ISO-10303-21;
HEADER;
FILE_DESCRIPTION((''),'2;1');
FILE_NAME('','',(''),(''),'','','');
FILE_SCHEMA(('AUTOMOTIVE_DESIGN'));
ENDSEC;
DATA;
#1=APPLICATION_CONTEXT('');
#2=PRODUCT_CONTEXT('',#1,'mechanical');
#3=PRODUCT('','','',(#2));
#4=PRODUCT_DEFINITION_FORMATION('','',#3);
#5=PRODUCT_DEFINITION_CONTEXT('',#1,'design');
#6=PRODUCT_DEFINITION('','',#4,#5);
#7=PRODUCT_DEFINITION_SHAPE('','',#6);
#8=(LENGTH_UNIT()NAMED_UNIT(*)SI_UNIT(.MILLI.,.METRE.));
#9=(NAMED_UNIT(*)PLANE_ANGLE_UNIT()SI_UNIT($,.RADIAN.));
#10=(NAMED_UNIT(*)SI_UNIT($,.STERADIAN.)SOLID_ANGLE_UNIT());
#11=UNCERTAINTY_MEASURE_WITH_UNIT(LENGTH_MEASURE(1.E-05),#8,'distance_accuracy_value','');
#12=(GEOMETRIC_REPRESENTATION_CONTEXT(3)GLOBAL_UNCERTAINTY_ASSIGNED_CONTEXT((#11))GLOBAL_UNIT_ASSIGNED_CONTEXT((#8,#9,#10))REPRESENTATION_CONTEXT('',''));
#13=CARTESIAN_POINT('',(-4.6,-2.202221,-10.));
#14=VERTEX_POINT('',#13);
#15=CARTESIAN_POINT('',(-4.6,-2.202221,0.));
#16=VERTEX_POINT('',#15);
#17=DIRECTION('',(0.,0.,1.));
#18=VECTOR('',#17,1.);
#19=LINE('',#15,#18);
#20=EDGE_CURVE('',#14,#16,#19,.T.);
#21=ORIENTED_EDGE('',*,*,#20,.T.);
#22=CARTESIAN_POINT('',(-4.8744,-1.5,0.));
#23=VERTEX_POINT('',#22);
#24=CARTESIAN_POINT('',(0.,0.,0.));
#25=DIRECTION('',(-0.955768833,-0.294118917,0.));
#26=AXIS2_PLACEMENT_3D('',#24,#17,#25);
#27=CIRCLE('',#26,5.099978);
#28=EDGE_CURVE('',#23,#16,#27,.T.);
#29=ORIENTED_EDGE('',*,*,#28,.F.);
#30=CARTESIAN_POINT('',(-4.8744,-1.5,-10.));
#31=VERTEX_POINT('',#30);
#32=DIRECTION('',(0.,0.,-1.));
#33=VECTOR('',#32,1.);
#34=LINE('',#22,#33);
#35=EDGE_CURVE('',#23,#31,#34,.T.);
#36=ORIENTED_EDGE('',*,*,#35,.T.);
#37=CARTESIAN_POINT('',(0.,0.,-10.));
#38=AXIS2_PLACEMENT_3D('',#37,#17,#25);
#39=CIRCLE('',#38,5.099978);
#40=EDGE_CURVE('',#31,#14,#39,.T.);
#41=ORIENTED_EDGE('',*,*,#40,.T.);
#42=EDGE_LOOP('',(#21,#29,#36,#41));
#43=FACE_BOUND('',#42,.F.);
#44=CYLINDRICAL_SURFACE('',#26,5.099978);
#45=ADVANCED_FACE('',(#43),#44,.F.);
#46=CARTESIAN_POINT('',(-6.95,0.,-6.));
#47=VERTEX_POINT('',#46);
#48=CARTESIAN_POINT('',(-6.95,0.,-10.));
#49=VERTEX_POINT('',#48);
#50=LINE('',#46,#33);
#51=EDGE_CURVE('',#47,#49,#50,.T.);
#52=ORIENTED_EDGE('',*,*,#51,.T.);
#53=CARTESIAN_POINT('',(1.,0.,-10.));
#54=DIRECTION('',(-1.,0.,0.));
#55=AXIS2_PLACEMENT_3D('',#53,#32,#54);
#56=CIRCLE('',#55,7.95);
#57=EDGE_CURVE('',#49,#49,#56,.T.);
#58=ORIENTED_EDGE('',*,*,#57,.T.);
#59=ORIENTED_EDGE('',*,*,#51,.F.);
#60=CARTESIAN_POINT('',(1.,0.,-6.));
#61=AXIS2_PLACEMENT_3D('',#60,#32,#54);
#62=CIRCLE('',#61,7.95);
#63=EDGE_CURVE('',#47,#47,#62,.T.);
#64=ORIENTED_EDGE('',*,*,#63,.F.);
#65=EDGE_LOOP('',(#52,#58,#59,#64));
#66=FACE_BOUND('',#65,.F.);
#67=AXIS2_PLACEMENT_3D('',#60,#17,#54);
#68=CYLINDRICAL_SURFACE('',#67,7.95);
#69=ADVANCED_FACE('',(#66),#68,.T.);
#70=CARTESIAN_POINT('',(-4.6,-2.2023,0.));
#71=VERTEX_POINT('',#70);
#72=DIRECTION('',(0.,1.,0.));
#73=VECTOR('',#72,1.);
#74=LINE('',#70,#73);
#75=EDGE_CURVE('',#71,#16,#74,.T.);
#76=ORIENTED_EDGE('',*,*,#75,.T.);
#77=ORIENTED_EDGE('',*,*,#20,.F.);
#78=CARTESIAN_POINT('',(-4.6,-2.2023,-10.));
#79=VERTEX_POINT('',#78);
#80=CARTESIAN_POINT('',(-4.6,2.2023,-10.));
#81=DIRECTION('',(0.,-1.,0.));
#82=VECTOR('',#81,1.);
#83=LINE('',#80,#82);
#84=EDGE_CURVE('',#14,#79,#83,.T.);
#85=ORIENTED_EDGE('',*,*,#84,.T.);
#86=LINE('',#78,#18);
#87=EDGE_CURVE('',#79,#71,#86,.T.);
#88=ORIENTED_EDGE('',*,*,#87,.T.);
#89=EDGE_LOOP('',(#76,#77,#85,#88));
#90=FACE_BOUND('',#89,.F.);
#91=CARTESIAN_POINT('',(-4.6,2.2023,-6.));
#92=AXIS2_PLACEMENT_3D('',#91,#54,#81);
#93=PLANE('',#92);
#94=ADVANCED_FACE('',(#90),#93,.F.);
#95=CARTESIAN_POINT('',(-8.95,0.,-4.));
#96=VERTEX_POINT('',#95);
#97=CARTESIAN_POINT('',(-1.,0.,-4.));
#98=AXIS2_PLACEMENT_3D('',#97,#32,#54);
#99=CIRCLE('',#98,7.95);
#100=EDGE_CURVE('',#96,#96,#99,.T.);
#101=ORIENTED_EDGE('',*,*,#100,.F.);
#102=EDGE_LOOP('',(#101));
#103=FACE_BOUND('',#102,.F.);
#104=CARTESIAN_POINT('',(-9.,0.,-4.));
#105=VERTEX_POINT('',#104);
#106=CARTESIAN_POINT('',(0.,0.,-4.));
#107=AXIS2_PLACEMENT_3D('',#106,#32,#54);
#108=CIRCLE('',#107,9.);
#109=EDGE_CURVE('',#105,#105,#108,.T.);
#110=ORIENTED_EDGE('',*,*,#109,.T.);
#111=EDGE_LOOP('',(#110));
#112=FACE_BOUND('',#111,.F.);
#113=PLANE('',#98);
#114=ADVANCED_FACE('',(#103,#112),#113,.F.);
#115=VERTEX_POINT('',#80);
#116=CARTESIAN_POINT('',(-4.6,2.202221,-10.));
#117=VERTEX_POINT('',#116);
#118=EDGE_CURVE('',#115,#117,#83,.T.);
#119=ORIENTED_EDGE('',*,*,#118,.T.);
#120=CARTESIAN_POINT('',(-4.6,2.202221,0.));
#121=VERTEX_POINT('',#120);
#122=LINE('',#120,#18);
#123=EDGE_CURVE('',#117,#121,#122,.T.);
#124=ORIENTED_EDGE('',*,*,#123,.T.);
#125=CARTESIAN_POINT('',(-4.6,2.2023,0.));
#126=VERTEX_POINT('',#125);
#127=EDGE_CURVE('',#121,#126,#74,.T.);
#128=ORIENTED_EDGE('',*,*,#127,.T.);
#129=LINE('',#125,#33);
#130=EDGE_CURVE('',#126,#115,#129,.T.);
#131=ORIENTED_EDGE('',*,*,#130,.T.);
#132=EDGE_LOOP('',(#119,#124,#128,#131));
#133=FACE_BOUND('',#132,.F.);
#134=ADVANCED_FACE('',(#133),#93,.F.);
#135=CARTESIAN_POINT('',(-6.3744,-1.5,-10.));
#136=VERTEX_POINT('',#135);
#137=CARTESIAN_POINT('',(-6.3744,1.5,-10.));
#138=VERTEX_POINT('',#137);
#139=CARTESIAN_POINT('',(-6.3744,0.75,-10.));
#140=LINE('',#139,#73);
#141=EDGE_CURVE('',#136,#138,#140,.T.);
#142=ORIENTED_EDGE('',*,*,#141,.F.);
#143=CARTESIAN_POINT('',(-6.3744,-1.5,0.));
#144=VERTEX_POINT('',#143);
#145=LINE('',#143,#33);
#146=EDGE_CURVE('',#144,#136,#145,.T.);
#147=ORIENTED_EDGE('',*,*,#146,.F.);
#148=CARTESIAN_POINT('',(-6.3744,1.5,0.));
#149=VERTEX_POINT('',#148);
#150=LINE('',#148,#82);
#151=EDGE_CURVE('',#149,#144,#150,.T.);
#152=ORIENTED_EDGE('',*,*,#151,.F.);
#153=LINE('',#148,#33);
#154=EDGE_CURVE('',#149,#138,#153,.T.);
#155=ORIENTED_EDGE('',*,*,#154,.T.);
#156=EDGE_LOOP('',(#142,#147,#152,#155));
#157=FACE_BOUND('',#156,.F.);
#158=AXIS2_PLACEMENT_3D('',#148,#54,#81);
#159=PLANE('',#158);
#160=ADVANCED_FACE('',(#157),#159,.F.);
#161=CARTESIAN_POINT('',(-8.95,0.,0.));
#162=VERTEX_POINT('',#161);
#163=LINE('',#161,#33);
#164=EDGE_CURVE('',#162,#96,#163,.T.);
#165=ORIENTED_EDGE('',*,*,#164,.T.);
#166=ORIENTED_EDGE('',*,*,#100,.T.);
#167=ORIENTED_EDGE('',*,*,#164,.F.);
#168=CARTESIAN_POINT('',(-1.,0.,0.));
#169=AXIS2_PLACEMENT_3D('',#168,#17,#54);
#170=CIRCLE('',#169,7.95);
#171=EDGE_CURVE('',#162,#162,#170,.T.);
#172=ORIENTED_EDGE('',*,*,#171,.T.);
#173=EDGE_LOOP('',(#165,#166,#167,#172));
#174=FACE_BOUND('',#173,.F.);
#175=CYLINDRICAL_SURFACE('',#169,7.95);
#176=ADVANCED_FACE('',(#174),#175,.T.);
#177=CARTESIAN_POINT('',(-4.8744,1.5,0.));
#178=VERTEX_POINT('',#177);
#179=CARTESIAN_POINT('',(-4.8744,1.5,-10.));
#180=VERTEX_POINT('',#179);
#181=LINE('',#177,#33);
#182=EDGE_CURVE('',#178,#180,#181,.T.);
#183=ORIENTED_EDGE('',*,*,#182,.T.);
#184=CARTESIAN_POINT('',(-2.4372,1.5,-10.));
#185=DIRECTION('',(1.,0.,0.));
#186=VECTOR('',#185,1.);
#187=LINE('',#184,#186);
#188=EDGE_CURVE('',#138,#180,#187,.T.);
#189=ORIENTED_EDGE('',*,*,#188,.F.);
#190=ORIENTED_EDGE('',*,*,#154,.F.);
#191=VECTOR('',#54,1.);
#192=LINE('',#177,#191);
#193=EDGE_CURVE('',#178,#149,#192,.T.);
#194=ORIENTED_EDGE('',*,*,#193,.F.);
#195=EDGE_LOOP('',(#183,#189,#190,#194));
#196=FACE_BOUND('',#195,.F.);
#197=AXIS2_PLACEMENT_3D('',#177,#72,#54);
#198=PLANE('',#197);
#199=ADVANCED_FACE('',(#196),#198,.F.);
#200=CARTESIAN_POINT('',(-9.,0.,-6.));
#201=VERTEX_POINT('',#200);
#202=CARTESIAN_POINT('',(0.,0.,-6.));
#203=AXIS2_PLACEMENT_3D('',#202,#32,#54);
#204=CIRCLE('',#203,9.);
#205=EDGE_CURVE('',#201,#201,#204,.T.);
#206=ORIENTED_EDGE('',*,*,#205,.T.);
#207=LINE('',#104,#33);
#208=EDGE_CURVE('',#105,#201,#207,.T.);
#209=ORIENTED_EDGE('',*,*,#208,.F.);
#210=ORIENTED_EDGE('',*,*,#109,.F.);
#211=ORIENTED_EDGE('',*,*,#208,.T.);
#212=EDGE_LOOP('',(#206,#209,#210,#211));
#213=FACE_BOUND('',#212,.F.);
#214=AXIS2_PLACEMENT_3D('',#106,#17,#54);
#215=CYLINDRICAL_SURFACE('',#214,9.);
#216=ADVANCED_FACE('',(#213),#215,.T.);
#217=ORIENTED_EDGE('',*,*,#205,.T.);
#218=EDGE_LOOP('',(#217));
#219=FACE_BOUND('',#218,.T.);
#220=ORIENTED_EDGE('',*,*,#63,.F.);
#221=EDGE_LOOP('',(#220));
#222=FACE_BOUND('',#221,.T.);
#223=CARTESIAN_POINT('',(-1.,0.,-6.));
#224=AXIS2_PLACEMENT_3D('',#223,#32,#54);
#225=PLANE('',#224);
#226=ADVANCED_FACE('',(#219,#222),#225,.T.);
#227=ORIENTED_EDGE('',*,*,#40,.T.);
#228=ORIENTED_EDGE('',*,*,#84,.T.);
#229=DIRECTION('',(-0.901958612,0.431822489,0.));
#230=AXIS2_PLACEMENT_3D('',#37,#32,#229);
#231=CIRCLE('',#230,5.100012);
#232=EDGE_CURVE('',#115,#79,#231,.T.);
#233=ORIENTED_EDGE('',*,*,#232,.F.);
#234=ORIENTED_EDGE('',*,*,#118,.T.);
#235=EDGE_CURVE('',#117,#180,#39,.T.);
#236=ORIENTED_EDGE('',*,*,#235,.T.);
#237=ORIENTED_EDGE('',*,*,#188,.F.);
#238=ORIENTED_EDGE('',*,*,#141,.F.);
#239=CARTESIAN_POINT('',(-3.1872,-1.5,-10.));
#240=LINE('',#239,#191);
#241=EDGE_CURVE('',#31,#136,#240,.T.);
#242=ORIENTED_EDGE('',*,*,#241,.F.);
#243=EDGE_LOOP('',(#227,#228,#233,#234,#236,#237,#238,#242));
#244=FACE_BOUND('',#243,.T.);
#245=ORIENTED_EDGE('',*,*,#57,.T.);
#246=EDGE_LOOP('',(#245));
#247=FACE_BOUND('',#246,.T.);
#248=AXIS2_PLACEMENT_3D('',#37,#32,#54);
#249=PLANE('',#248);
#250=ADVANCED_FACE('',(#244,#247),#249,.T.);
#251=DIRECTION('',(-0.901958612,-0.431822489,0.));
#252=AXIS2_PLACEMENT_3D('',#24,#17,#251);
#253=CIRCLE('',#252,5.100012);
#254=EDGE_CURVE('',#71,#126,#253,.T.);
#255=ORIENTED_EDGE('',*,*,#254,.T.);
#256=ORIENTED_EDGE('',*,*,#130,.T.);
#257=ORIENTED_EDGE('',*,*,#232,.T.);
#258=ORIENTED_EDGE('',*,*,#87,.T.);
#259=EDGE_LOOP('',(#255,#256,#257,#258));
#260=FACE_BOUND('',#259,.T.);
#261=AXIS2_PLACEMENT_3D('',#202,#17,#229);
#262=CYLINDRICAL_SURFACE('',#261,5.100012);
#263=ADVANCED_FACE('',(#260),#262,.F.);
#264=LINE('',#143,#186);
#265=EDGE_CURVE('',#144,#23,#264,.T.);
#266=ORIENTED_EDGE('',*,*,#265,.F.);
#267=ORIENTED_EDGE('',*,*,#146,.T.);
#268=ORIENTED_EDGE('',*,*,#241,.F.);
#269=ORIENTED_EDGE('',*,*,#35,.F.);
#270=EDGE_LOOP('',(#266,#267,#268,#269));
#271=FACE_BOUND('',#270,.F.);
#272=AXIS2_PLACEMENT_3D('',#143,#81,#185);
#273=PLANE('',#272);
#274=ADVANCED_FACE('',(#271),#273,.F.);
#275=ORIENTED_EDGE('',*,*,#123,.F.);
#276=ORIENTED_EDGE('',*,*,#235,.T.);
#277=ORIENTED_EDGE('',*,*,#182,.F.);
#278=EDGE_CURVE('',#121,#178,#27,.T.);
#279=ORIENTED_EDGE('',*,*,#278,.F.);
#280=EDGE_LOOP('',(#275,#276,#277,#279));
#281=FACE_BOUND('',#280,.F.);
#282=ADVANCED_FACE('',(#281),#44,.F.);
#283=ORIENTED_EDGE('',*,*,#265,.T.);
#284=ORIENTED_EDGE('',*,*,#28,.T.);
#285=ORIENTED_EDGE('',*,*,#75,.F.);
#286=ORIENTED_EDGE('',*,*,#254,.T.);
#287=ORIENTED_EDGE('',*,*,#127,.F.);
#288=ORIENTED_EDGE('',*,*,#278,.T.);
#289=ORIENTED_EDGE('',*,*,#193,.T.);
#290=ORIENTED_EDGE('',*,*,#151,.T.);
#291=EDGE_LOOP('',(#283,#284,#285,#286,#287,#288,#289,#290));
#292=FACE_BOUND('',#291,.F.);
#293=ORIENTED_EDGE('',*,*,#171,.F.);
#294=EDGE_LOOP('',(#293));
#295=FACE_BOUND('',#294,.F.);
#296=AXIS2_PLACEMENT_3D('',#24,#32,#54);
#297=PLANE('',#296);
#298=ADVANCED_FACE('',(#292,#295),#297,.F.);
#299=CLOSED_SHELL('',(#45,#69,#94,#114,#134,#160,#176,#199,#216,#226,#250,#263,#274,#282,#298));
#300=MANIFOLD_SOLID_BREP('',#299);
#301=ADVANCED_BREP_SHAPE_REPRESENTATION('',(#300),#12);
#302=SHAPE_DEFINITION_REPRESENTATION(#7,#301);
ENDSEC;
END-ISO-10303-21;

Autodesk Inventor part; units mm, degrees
ref_plane "YZ Plane" through (0, 0, 0) normal (1, 0, 0) x (0, 1, 0)
ref_plane "XZ Plane" through (0, 0, 0) normal (0, 1, 0) x (-1, 0, 0)
ref_plane "XY Plane" through (0, 0, 0) normal (0, 0, 1) x (1, 0, 0)
sketch "Sketch1" plane through (0, 0, 0) normal (0, 0, 1) x (1, 0, 0)
  arc A0 (-4.5, -2.1795) -> (-4.5, 2.1795) centre (0, 0) ccw construction
  line L0 (-4.5, 2.1795) -> (-4.5, -2.1795) construction
  arc A1 (-4.5, 2.1795) -> (-4.5, -2.1795) centre (0, 0) ccw construction
  arc A2 (-4.6, -2.2023) -> (-4.6, 2.2023) centre (0, 0) ccw
  line L1 (-4.6, -2.2023) -> (-4.6, 2.2023)
  circle A3 centre (0, 0) radius 8
  dimension "d0" = 10
  dimension "d1" = 4.359
  dimension "d2" = 0.1
  dimension "d3" = 16
extrude "Extrusion1" add sketch "Sketch1" along normal blind 4
sketch "Sketch2" plane through (0, 0, 0) normal (0, 0, -1) x (-1, 0, 0)
  circle A0 centre (1, 0) radius 7.95
  arc A1 (4.6, 2.2023) -> (4.6, -2.2023) centre (0, 0) ccw projected
  line L0 (4.6, -2.2023) -> (4.6, 2.2023) projected
  dimension "d6" = 15.9
  dimension "d7" = 1
extrude "Extrusion2" add sketch "Sketch2" along normal blind 4
sketch "Sketch5" plane through (0, 0, 4) normal (0, 0, 1) x (1, 0, 0)
  circle A0 centre (0, 0) radius 8 projected
extrude "Extrusion5" cut sketch "Sketch5" against normal up to surface (4 mm away)
sketch "Sketch6" plane through (-1, 0, -4) normal (0, 0, -1) x (-1, 0, 0)
  circle A0 centre (-1, 0) radius 9
  arc A1 (3.6, 2.2023) -> (3.6, -2.2023) centre (-1, 0) ccw projected
  line L0 (3.6, 2.2023) -> (3.6, -2.2023) projected
  dimension "d19" = 18
extrude "Extrusion6" add sketch "Sketch6" along normal blind 2
sketch "Sketch7" plane through (0, 0, -6) normal (0, 0, -1) x (-1, 0, 0)
  circle A0 centre (-1, 0) radius 7.95
  arc A1 (4.6, 2.2023) -> (4.6, -2.2023) centre (0, 0) ccw projected
  line L0 (4.6, 2.2023) -> (4.6, -2.2023) projected
  dimension "d22" = 15.9
  dimension "d23" = 1
extrude "Extrusion7" add sketch "Sketch7" along normal blind 4
sketch "Sketch9" plane through (-1, 0, 0) normal (0, 0, 1) x (1, 0, 0)
  arc A0 (-3.8744, -1.5) -> (-3.8744, 1.5) centre (1, 0) ccw
  arc A1 (-3.6, -2.2023) -> (-3.6, 2.2023) centre (1, 0) ccw construction
  line L0 (-3.8744, 1.5) -> (-5.3744, 1.5)
  line L1 (-5.3744, 1.5) -> (-5.3744, -1.5)
  line L2 (-5.3744, -1.5) -> (-3.8744, -1.5)
  arc A2 (-3.8744, 1.5) -> (-3.8744, -1.5) centre (1, 0) ccw construction
  point P0 (-4.6244, 1.5)
  point P1 (-4.6244, -1.5)
  point P2 (-5.3744, 0)
  dimension "d30" = 3
  dimension "d31" = 1.5
extrude "Extrusion9" cut sketch "Sketch9" against normal through all
properties part number "EccentricBearingShaft" material "Aluminum 6061"
